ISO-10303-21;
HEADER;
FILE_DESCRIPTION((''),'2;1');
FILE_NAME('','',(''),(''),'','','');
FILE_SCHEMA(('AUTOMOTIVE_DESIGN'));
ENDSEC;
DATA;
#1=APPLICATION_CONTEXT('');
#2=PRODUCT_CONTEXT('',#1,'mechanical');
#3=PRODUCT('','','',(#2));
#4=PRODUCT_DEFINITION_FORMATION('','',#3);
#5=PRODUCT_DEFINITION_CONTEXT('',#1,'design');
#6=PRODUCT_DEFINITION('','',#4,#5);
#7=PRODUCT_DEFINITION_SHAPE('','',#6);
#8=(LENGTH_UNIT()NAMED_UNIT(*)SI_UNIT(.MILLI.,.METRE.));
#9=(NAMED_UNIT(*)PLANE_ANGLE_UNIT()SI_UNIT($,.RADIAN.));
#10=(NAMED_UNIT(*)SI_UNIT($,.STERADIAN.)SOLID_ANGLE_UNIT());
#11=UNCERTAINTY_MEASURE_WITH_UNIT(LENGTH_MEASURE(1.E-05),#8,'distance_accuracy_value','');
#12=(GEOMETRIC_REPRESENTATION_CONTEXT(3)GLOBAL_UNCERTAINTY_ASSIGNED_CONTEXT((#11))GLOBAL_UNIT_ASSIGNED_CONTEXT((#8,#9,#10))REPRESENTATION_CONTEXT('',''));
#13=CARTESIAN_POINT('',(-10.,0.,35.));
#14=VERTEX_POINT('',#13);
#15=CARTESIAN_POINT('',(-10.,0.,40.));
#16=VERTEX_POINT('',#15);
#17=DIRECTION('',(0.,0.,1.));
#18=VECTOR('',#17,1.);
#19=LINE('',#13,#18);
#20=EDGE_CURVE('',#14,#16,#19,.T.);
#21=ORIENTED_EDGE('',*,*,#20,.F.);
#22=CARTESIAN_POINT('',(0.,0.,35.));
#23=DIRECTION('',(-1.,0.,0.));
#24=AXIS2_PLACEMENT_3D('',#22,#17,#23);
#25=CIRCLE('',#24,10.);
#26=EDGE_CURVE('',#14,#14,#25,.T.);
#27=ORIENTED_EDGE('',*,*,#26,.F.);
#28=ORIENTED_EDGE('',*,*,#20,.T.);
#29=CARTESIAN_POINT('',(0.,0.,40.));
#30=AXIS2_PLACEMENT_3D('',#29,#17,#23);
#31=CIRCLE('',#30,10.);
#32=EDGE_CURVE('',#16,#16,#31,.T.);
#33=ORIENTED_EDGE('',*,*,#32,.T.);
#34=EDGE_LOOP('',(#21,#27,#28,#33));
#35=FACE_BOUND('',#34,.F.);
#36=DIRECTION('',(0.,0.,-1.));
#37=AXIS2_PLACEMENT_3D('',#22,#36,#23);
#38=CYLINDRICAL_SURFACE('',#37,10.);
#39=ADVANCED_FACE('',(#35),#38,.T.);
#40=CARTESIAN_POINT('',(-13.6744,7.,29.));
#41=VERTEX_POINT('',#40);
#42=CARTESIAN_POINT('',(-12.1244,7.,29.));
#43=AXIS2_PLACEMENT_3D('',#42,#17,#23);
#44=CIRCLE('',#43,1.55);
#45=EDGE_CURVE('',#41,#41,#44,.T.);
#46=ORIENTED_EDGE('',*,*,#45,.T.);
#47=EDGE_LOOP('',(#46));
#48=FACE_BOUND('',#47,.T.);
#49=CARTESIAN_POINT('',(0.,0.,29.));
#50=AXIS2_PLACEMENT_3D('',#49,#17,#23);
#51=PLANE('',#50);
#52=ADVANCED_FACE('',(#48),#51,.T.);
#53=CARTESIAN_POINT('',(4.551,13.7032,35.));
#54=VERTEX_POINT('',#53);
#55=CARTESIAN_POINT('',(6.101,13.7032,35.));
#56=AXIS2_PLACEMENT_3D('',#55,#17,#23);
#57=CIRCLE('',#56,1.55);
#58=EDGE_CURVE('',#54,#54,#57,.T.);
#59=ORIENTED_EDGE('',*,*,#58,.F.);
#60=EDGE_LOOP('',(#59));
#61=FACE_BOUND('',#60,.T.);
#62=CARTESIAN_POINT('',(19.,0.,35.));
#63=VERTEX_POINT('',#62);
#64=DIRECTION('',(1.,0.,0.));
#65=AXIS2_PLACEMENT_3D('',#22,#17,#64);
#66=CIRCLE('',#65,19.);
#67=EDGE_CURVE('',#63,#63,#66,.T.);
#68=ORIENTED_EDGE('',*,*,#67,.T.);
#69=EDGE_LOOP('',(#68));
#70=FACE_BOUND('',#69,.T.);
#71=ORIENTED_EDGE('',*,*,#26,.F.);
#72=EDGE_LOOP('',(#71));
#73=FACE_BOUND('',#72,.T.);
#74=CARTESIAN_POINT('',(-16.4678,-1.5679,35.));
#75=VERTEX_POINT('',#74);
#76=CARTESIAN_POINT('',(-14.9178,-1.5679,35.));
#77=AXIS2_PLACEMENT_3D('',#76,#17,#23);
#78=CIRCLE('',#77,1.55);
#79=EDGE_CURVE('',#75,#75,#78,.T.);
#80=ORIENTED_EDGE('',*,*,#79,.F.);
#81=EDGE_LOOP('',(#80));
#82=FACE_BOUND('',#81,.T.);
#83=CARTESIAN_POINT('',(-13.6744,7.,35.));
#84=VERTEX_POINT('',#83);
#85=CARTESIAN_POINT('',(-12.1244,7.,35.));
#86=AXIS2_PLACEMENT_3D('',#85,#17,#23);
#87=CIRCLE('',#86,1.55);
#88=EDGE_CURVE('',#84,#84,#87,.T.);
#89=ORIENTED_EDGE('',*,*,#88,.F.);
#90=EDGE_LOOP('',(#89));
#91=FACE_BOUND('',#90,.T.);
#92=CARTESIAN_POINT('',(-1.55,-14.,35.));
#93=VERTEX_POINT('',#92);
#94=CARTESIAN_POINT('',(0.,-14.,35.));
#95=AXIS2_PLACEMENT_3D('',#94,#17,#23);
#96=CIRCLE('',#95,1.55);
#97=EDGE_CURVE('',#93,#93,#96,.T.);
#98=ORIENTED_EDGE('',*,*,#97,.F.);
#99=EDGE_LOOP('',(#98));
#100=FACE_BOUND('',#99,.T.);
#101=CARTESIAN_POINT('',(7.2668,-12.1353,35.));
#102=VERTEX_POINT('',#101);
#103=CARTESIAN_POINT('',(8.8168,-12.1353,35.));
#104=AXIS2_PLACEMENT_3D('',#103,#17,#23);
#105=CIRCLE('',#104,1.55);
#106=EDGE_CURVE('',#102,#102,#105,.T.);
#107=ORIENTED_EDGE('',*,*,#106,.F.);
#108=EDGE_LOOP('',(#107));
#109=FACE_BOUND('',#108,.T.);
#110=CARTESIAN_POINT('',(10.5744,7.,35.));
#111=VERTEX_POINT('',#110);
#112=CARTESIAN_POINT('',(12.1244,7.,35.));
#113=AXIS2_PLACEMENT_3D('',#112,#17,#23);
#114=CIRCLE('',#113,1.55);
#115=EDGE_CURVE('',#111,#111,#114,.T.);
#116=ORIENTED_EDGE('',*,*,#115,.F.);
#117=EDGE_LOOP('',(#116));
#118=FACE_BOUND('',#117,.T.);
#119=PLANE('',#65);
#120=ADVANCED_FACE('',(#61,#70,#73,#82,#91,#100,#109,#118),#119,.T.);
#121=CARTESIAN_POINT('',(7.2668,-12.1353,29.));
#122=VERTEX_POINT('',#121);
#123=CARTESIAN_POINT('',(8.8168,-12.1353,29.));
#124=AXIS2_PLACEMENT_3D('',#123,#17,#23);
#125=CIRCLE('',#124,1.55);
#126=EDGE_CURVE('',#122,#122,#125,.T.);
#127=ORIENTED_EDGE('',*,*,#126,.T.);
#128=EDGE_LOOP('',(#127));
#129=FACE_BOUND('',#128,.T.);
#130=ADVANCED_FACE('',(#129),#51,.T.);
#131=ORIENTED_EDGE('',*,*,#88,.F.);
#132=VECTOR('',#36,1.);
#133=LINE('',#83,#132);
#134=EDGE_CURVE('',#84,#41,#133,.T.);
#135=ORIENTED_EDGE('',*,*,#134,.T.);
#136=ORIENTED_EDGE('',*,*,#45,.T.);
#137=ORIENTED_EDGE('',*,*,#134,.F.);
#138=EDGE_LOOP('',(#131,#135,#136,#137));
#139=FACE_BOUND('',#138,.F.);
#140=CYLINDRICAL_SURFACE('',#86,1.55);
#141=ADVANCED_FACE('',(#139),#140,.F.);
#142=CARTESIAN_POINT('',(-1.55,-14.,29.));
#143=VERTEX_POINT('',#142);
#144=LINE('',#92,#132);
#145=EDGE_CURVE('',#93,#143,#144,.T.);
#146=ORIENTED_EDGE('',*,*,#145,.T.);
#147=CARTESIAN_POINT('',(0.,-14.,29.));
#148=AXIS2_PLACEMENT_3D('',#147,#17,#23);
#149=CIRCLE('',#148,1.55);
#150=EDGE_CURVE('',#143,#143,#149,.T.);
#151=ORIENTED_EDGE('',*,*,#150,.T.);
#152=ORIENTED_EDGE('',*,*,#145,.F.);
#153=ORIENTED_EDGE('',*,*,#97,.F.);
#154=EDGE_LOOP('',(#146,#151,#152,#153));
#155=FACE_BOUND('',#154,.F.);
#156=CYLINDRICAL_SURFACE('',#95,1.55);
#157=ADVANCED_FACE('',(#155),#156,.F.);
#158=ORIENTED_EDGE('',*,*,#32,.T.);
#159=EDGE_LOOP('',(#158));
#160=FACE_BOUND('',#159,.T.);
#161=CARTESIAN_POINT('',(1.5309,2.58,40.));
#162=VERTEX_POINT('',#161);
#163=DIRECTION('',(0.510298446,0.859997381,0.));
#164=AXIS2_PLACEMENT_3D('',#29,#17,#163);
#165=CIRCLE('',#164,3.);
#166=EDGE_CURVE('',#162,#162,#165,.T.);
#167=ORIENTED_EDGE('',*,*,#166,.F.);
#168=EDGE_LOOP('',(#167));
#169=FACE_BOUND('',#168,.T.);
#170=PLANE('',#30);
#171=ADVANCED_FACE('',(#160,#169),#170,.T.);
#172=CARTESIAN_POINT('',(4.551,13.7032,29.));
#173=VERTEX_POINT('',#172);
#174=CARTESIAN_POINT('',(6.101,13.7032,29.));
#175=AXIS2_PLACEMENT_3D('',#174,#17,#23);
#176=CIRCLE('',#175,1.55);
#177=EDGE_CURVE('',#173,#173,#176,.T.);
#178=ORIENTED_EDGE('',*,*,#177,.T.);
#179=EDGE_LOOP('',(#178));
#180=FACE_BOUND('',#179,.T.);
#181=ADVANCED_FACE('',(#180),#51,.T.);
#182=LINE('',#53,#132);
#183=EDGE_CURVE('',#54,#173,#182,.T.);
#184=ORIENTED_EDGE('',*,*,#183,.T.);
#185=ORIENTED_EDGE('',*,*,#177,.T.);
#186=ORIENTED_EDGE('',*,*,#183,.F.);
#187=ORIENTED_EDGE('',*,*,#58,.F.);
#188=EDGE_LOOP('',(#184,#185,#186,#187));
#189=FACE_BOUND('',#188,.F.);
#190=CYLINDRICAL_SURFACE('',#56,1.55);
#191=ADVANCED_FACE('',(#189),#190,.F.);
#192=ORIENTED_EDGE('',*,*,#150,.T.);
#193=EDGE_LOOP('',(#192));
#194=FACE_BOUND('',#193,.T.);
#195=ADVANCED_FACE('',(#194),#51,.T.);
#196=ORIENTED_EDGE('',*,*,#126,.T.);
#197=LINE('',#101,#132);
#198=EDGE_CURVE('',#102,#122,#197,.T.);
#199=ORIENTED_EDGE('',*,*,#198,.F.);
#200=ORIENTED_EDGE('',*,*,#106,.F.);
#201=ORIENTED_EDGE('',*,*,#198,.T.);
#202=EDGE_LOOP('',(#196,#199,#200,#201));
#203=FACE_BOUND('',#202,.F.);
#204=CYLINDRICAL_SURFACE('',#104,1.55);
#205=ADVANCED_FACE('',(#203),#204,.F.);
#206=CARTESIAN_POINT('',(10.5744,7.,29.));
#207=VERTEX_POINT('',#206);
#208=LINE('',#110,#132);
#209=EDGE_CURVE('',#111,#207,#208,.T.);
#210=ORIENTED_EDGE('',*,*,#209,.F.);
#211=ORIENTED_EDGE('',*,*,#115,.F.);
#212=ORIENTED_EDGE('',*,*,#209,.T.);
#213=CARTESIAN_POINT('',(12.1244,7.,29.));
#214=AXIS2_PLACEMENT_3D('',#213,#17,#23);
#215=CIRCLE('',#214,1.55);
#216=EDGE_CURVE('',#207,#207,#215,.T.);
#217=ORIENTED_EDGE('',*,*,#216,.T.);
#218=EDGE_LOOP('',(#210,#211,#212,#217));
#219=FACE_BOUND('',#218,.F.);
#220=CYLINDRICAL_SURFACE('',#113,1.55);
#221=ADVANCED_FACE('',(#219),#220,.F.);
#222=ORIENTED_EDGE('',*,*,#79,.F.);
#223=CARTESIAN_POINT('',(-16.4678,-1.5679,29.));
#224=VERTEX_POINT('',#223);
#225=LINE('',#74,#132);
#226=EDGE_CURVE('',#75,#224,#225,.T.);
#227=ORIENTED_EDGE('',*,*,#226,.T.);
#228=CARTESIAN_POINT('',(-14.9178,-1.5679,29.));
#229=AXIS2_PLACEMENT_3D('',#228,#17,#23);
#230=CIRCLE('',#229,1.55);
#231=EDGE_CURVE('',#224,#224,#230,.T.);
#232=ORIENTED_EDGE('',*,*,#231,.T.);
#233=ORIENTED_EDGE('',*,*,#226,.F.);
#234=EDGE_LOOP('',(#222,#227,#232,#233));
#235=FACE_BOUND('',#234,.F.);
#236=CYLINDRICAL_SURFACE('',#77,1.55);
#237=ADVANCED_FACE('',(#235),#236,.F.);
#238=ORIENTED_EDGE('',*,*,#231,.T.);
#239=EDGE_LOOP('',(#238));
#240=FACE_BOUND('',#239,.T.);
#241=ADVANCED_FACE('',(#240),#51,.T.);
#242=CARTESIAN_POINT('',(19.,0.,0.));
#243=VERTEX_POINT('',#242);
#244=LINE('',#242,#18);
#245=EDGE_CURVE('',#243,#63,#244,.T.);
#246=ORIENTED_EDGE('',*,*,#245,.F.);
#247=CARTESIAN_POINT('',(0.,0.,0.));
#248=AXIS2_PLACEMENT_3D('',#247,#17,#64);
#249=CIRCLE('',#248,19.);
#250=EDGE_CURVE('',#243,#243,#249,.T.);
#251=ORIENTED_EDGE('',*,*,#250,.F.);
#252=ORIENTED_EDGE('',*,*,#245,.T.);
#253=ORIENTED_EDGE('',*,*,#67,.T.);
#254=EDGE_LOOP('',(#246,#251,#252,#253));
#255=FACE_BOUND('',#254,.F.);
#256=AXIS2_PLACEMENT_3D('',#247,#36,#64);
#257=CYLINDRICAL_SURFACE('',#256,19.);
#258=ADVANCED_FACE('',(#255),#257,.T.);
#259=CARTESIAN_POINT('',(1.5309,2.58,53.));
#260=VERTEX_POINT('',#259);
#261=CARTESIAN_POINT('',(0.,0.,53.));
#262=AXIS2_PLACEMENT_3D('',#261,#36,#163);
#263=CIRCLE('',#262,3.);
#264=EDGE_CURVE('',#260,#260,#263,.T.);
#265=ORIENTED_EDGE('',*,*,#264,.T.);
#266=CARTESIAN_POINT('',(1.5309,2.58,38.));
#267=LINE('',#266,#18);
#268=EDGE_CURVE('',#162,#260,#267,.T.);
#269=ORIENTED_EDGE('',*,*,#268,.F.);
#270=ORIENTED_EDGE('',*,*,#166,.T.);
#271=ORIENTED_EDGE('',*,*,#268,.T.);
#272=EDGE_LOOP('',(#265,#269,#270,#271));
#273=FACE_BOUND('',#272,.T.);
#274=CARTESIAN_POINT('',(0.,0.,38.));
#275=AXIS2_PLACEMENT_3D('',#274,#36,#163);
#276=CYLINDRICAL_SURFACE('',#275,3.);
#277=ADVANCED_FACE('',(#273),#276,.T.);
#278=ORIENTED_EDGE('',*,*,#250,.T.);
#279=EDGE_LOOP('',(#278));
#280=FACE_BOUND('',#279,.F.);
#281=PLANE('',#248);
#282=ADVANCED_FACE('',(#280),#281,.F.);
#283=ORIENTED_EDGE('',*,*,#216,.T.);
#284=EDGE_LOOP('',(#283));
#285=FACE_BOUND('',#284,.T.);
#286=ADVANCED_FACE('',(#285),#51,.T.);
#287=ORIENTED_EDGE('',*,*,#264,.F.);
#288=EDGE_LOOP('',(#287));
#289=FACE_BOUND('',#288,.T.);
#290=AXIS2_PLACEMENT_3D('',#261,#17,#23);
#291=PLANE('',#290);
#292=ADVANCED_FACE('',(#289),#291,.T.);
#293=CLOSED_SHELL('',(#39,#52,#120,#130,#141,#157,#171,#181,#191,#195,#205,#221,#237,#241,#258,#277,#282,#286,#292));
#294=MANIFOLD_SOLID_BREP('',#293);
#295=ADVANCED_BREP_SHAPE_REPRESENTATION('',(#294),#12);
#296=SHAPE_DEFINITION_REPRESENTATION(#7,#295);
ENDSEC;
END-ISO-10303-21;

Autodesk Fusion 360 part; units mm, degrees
sketch "Sketch1" plane through (0, 0, 0) normal (0, 0, 1) x (1, 0, 0)
  circle A0 centre (0, 0) radius 19
  dimension "d1" = 38
extrude "Extrude1" add sketch "Sketch1" along normal blind 35
sketch "Sketch2" plane through (0, 0, 35) normal (0, 0, 1) x (-1, 0, 0)
  circle A0 centre (0, 0) radius 19
  circle A1 centre (0, 0) radius 10
  circle A2 centre (0, 0) radius 14 construction
  circle A3 centre (0, 0) radius 15 construction
  circle A4 centre (0, 14) radius 1.55
  line L0 (0, 0) -> (0, 1) construction
  line L1 (0, 1) -> (0, 14) construction
  line L2 (0, 0) -> (-8.8168, 12.1353) construction
  circle A5 centre (-8.8168, 12.1353) radius 1.55
  circle A6 centre (-12.1244, -7) radius 1.55
  circle A7 centre (12.1244, -7) radius 1.55
  circle A8 centre (-6.101, -13.7032) radius 1.55
  circle A9 centre (14.9178, 1.5679) radius 1.55
  dimension "d4" = 20
  dimension "d13" = 28
  dimension "d14" = 30
  dimension "d15" = 3.1
  dimension "d16" = 36
  dimension "d17" = 3.1
  dimension "d19" = 360
  dimension "d21" = 360
extrude "Extrude2" add sketch "Sketch2" along normal blind 5 contours A1
sketch "Sketch3" plane through (0, 0, 40) normal (0, 0, 1) x (-1, 0, 0)
  circle A0 centre (0, 0) radius 10
  circle A1 centre (0, 0) radius 3
  line L0 (0, 3) -> (0, -2.58) construction
  line L1 (0, -2.58) -> (-1.5309, -2.58)
  line L2 (0, -2.58) -> (1.5309, -2.58)
  dimension "d7" = 6
  dimension "d8" = 5.58
extrude "Extrude3" add sketch "Sketch3" along normal blind 13 contours A1 L1 L2 picked at (0.0089, 1.1344)
extrude "Extrude4" add sketch "Sketch3" along normal blind 3 contours A1 L1 L2 picked at (0.1335, -2.8511)
extrude "Extrude5" cut sketch "Sketch2" against normal blind 6 contours A4 | A5 | A6 | A7 | A8 | A9
extrude "Extruir6" cut 1 faces at (-0.6852, 0.4836, 53) along direction (0, 0, -1) blind 10
extrude "Extruir7" cut 1 faces at (-0.782, -0.3761, 43) along direction (0, 0, -1) blind 5
extrude "Extruir8" add 1 faces at (-0.782, -0.3761, 38) along direction (0, 0, 1) blind 15
